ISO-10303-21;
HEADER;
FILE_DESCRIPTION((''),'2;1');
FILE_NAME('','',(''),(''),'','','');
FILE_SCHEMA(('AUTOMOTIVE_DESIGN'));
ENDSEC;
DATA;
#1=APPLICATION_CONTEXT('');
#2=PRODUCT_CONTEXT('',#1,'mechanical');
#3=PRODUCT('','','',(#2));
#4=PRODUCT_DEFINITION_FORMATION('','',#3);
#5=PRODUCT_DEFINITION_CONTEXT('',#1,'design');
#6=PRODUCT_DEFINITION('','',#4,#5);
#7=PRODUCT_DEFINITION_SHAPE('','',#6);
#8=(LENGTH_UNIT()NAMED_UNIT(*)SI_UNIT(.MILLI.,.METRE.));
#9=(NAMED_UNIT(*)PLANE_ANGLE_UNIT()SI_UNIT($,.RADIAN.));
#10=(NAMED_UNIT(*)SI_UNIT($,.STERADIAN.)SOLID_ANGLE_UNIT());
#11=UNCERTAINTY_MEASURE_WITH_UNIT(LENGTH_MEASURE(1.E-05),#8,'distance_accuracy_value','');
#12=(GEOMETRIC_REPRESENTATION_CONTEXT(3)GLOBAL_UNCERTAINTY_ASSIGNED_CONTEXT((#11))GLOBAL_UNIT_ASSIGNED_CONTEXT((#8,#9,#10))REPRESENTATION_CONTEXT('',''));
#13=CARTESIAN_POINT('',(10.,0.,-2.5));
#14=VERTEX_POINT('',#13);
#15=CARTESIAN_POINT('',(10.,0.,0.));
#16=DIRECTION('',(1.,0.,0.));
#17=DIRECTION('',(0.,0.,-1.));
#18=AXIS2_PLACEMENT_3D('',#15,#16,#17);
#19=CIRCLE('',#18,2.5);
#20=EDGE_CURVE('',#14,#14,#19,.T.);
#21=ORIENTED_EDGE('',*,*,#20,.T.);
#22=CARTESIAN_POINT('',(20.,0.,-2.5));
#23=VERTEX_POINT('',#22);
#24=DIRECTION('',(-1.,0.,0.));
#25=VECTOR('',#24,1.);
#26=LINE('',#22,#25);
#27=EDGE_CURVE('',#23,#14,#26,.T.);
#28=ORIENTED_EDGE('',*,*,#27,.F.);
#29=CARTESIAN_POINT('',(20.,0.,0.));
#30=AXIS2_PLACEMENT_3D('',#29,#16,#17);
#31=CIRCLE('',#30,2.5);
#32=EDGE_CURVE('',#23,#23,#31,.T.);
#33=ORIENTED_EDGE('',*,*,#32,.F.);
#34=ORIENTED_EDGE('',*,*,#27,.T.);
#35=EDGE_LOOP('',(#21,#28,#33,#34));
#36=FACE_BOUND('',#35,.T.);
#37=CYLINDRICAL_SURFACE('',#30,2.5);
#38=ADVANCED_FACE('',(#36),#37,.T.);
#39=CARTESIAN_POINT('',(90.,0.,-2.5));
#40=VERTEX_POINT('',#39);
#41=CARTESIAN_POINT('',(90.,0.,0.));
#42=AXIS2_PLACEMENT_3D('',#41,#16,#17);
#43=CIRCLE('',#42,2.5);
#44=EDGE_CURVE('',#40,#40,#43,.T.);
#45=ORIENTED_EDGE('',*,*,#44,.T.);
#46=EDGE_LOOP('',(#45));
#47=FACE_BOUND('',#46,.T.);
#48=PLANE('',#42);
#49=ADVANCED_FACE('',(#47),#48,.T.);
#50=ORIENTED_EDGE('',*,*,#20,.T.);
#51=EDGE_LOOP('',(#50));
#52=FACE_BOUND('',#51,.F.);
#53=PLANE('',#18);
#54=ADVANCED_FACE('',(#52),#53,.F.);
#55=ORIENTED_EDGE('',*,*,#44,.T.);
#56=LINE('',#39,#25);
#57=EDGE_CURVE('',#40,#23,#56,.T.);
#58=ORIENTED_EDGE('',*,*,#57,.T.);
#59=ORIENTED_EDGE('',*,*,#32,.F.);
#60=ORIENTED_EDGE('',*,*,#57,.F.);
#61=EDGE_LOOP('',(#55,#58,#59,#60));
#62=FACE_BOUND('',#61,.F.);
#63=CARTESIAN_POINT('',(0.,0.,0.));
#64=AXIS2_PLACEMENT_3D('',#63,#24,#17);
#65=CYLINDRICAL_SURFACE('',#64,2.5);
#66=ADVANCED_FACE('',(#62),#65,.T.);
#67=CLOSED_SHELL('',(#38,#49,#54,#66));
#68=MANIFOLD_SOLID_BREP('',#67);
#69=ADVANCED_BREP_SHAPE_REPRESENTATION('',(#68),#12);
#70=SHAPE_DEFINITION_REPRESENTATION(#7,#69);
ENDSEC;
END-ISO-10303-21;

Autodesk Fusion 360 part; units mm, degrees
sketch "Sketch1" plane through (0, 0, 0) normal (0, 0, 1) x (1, 0, 0)
sketch "Sketch2" plane through (0, 0, 0) normal (1, 0, 0) x (0, 0, -1)
  circle A0 centre (0, 0) radius 2.5
  dimension "d1" = 5
extrude "Extrude1" add sketch "Sketch2" along normal blind 70
extrude "Extrude2" add 1 faces at (70, 0.2321, 0.8863) along direction (1, 0, 0) blind 20
extrude "Extrude3" cut 1 faces at (0, 0.2321, 0.8863) along direction (1, 0, 0) blind 10
extrude "Extrude4" cut 1 faces at (10, 0.2321, 0.8863) along direction (1, 0, 0) blind 10
extrude "Extrude5" add 1 faces at (20, 0.2321, 0.8863) along direction (-1, 0, 0) blind 10
